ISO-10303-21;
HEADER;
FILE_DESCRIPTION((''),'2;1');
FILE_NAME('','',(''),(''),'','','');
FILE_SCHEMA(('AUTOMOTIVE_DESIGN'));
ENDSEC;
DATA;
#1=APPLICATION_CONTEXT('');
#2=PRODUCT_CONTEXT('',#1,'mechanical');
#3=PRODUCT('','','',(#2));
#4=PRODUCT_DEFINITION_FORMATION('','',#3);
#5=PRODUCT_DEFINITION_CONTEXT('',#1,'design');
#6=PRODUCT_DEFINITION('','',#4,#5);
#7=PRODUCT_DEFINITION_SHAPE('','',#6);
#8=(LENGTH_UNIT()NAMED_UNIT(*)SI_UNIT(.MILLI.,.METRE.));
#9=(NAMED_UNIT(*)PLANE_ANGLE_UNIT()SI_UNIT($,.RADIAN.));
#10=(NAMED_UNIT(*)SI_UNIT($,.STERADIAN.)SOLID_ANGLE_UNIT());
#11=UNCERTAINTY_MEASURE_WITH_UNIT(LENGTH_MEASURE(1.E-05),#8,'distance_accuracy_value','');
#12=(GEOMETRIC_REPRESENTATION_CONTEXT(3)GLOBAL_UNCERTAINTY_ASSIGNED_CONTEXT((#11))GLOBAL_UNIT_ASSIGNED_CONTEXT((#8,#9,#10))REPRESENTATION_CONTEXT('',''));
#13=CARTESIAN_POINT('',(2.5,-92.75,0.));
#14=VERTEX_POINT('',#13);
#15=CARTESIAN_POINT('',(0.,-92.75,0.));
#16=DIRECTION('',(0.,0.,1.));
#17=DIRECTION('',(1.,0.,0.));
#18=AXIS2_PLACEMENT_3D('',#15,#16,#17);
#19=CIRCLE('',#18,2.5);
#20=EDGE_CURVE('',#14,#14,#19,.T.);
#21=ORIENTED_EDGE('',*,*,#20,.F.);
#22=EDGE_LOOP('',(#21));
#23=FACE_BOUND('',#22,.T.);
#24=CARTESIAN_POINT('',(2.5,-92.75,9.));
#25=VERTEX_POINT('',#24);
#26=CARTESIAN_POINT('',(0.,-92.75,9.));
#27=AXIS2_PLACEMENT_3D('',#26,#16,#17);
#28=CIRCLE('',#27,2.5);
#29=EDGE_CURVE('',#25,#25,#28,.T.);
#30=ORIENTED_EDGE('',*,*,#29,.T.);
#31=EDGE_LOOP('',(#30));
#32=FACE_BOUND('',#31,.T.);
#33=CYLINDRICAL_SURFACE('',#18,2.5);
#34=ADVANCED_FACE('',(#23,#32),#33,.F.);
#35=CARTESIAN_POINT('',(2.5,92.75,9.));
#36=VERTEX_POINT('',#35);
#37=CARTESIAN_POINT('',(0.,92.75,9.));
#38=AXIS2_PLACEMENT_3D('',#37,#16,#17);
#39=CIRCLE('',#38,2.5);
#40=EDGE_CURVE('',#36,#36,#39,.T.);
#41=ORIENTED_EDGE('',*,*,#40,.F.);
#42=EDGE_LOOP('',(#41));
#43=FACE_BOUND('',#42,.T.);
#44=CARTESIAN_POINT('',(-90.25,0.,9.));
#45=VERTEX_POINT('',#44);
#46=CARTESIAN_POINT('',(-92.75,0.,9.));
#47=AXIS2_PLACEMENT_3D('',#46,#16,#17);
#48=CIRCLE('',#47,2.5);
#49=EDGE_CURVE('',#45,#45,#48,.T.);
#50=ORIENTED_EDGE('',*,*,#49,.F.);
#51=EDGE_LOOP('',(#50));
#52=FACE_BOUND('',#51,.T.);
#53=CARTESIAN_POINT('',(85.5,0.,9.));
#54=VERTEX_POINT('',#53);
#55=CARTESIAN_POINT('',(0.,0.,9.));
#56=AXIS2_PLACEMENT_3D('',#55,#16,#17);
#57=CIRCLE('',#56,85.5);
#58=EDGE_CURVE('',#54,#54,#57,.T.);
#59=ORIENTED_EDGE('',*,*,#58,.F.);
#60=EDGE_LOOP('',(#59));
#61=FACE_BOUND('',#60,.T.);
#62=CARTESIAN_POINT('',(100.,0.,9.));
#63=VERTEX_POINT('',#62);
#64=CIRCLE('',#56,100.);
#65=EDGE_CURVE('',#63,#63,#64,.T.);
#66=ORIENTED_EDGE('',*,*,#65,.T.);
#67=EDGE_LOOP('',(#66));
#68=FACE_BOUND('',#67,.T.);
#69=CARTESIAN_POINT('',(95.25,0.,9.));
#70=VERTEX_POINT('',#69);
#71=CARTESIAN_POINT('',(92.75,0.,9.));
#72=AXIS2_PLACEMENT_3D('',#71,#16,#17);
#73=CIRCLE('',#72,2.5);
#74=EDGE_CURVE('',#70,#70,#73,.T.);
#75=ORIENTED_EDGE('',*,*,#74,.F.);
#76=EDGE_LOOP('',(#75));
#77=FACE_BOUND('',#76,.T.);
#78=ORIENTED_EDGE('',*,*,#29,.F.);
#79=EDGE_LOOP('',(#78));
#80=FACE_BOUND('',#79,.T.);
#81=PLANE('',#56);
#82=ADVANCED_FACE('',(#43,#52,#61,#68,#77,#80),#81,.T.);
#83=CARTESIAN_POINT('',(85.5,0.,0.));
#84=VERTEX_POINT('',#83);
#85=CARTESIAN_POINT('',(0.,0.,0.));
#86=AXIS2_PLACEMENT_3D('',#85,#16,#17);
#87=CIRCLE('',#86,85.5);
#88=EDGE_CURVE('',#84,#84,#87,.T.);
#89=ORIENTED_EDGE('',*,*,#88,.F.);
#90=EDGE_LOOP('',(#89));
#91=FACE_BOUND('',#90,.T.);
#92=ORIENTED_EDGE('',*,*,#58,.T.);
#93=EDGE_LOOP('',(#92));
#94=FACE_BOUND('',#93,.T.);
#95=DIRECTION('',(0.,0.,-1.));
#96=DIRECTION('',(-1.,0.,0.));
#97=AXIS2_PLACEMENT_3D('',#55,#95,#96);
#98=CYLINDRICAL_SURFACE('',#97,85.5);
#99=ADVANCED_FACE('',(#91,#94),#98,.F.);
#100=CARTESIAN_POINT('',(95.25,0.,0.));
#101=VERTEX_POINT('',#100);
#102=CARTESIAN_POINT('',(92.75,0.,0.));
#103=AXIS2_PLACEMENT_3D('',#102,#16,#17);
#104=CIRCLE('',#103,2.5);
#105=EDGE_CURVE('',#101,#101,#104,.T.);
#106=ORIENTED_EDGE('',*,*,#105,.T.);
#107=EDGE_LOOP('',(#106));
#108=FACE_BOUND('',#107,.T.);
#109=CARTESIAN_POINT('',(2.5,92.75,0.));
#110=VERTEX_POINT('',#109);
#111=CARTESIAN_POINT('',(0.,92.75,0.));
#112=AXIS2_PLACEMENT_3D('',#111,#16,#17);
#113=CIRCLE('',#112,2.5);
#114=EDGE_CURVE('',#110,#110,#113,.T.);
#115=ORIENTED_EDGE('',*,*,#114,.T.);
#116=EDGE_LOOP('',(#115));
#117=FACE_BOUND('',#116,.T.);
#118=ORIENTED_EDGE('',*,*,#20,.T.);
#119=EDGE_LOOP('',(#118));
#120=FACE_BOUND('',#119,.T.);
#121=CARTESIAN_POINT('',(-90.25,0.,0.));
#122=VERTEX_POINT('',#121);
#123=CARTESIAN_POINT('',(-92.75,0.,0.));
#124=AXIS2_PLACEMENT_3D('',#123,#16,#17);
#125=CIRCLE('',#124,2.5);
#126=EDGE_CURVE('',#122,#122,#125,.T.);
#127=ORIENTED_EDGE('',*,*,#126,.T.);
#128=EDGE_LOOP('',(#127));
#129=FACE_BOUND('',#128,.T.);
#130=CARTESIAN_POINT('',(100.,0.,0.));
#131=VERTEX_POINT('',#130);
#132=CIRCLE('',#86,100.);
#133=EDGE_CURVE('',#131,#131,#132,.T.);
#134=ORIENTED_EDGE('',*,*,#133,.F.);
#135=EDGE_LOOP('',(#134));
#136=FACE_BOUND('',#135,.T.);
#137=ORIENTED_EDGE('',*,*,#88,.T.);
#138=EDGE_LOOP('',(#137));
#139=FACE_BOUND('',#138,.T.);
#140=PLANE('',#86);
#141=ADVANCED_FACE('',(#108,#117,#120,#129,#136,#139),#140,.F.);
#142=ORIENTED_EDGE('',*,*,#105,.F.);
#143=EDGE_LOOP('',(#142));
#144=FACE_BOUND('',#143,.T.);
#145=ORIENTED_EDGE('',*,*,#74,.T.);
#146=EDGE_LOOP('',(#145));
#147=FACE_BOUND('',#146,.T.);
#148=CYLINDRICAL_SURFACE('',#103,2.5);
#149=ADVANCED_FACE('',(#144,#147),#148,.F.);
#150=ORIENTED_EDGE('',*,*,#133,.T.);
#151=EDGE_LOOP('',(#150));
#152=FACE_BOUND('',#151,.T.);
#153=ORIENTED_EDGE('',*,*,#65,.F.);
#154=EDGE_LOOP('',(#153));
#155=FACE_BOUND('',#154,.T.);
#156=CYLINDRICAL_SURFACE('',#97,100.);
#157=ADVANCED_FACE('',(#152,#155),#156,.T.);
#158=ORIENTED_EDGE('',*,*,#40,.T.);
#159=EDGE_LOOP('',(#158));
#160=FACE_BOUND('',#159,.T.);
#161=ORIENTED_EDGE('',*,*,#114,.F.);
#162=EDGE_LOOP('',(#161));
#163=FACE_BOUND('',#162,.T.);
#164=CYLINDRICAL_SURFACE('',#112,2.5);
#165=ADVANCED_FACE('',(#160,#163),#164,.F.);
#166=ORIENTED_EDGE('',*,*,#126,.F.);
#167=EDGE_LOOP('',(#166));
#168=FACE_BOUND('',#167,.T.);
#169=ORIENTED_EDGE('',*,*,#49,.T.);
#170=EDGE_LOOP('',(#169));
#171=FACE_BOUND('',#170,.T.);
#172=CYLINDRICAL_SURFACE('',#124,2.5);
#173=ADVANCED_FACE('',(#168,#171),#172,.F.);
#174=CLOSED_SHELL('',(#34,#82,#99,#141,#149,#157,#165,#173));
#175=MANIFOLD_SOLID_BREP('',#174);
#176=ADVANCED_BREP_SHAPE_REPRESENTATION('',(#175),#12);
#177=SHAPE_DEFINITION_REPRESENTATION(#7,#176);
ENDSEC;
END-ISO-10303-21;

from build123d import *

# Parameters (mm, degrees)
SKETCH_1_R          = 100
SKETCH_1_R_2        = 85.5
EXTRUDE_1_DEPTH     = 9
SKETCH_2_R          = 2.5
CUT_EXTRUDE_1_DEPTH = 142.707445111


with BuildPart() as part:
    # 草图1 → 凸台-拉伸1 (new body)
    with BuildSketch(Plane.XY):
        Circle(SKETCH_1_R)
        Circle(SKETCH_1_R_2, mode=Mode.SUBTRACT)
    extrude(amount=EXTRUDE_1_DEPTH)

    # 草图2 → 切除-拉伸1 (cut, through all)
    with BuildSketch(Plane.XY.offset(9)):
        with Locations((0, 92.75)):
            Circle(SKETCH_2_R)
        with Locations((92.75, 0)):
            Circle(SKETCH_2_R)
        with Locations((0, -92.75)):
            Circle(SKETCH_2_R)
        with Locations((-92.75, 0)):
            Circle(SKETCH_2_R)
    extrude(amount=-CUT_EXTRUDE_1_DEPTH, mode=Mode.SUBTRACT)


solid = part.part
